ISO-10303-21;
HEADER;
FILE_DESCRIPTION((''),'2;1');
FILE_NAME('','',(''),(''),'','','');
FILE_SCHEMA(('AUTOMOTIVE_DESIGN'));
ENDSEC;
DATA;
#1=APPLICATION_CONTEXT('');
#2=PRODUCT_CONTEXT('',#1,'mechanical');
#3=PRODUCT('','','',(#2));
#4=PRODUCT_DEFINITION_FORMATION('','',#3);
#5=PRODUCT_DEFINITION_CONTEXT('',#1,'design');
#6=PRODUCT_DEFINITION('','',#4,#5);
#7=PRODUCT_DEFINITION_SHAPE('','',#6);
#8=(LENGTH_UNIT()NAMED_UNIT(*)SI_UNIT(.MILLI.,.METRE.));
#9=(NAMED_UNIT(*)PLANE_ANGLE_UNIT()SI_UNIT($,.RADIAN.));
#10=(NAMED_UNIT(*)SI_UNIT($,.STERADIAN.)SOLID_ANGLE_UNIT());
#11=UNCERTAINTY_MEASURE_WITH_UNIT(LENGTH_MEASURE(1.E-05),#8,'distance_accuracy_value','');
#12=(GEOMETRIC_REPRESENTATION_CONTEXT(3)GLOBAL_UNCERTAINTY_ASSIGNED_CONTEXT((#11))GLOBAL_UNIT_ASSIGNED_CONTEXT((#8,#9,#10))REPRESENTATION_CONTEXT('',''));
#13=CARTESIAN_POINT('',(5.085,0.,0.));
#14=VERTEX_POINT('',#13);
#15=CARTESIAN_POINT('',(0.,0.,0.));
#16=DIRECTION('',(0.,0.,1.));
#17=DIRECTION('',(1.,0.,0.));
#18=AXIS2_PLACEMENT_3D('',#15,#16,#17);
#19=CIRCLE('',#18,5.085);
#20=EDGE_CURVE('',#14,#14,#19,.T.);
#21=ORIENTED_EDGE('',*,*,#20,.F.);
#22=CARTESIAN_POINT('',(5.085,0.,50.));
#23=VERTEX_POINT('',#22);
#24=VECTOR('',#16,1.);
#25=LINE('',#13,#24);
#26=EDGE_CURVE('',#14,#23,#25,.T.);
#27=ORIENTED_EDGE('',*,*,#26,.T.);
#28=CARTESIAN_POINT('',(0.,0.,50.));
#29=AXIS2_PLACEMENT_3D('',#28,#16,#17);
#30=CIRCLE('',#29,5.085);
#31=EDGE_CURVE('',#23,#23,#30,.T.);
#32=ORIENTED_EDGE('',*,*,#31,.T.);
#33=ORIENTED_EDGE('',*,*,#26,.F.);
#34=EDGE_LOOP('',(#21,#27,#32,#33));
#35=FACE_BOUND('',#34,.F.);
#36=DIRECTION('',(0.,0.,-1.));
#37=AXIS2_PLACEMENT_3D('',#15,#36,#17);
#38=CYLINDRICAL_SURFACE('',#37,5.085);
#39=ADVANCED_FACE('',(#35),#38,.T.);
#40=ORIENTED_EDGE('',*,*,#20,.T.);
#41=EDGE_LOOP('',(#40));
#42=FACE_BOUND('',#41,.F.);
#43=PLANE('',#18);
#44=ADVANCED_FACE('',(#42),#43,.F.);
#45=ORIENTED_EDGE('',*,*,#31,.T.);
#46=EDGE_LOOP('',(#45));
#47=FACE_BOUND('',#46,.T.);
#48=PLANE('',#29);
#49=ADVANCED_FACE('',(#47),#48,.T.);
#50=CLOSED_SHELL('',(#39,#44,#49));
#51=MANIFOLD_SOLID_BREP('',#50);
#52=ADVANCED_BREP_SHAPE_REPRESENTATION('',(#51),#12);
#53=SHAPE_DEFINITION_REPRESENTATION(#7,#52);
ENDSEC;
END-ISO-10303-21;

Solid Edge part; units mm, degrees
sketch "Sketch1" plane through (0, 0, 0) normal (0, 0, 1) x (1, 0, 0)
  circle A0 centre (0, 0) radius 5.085
extrude "Protrusion1" add sketch "Sketch1" along normal blind 50
